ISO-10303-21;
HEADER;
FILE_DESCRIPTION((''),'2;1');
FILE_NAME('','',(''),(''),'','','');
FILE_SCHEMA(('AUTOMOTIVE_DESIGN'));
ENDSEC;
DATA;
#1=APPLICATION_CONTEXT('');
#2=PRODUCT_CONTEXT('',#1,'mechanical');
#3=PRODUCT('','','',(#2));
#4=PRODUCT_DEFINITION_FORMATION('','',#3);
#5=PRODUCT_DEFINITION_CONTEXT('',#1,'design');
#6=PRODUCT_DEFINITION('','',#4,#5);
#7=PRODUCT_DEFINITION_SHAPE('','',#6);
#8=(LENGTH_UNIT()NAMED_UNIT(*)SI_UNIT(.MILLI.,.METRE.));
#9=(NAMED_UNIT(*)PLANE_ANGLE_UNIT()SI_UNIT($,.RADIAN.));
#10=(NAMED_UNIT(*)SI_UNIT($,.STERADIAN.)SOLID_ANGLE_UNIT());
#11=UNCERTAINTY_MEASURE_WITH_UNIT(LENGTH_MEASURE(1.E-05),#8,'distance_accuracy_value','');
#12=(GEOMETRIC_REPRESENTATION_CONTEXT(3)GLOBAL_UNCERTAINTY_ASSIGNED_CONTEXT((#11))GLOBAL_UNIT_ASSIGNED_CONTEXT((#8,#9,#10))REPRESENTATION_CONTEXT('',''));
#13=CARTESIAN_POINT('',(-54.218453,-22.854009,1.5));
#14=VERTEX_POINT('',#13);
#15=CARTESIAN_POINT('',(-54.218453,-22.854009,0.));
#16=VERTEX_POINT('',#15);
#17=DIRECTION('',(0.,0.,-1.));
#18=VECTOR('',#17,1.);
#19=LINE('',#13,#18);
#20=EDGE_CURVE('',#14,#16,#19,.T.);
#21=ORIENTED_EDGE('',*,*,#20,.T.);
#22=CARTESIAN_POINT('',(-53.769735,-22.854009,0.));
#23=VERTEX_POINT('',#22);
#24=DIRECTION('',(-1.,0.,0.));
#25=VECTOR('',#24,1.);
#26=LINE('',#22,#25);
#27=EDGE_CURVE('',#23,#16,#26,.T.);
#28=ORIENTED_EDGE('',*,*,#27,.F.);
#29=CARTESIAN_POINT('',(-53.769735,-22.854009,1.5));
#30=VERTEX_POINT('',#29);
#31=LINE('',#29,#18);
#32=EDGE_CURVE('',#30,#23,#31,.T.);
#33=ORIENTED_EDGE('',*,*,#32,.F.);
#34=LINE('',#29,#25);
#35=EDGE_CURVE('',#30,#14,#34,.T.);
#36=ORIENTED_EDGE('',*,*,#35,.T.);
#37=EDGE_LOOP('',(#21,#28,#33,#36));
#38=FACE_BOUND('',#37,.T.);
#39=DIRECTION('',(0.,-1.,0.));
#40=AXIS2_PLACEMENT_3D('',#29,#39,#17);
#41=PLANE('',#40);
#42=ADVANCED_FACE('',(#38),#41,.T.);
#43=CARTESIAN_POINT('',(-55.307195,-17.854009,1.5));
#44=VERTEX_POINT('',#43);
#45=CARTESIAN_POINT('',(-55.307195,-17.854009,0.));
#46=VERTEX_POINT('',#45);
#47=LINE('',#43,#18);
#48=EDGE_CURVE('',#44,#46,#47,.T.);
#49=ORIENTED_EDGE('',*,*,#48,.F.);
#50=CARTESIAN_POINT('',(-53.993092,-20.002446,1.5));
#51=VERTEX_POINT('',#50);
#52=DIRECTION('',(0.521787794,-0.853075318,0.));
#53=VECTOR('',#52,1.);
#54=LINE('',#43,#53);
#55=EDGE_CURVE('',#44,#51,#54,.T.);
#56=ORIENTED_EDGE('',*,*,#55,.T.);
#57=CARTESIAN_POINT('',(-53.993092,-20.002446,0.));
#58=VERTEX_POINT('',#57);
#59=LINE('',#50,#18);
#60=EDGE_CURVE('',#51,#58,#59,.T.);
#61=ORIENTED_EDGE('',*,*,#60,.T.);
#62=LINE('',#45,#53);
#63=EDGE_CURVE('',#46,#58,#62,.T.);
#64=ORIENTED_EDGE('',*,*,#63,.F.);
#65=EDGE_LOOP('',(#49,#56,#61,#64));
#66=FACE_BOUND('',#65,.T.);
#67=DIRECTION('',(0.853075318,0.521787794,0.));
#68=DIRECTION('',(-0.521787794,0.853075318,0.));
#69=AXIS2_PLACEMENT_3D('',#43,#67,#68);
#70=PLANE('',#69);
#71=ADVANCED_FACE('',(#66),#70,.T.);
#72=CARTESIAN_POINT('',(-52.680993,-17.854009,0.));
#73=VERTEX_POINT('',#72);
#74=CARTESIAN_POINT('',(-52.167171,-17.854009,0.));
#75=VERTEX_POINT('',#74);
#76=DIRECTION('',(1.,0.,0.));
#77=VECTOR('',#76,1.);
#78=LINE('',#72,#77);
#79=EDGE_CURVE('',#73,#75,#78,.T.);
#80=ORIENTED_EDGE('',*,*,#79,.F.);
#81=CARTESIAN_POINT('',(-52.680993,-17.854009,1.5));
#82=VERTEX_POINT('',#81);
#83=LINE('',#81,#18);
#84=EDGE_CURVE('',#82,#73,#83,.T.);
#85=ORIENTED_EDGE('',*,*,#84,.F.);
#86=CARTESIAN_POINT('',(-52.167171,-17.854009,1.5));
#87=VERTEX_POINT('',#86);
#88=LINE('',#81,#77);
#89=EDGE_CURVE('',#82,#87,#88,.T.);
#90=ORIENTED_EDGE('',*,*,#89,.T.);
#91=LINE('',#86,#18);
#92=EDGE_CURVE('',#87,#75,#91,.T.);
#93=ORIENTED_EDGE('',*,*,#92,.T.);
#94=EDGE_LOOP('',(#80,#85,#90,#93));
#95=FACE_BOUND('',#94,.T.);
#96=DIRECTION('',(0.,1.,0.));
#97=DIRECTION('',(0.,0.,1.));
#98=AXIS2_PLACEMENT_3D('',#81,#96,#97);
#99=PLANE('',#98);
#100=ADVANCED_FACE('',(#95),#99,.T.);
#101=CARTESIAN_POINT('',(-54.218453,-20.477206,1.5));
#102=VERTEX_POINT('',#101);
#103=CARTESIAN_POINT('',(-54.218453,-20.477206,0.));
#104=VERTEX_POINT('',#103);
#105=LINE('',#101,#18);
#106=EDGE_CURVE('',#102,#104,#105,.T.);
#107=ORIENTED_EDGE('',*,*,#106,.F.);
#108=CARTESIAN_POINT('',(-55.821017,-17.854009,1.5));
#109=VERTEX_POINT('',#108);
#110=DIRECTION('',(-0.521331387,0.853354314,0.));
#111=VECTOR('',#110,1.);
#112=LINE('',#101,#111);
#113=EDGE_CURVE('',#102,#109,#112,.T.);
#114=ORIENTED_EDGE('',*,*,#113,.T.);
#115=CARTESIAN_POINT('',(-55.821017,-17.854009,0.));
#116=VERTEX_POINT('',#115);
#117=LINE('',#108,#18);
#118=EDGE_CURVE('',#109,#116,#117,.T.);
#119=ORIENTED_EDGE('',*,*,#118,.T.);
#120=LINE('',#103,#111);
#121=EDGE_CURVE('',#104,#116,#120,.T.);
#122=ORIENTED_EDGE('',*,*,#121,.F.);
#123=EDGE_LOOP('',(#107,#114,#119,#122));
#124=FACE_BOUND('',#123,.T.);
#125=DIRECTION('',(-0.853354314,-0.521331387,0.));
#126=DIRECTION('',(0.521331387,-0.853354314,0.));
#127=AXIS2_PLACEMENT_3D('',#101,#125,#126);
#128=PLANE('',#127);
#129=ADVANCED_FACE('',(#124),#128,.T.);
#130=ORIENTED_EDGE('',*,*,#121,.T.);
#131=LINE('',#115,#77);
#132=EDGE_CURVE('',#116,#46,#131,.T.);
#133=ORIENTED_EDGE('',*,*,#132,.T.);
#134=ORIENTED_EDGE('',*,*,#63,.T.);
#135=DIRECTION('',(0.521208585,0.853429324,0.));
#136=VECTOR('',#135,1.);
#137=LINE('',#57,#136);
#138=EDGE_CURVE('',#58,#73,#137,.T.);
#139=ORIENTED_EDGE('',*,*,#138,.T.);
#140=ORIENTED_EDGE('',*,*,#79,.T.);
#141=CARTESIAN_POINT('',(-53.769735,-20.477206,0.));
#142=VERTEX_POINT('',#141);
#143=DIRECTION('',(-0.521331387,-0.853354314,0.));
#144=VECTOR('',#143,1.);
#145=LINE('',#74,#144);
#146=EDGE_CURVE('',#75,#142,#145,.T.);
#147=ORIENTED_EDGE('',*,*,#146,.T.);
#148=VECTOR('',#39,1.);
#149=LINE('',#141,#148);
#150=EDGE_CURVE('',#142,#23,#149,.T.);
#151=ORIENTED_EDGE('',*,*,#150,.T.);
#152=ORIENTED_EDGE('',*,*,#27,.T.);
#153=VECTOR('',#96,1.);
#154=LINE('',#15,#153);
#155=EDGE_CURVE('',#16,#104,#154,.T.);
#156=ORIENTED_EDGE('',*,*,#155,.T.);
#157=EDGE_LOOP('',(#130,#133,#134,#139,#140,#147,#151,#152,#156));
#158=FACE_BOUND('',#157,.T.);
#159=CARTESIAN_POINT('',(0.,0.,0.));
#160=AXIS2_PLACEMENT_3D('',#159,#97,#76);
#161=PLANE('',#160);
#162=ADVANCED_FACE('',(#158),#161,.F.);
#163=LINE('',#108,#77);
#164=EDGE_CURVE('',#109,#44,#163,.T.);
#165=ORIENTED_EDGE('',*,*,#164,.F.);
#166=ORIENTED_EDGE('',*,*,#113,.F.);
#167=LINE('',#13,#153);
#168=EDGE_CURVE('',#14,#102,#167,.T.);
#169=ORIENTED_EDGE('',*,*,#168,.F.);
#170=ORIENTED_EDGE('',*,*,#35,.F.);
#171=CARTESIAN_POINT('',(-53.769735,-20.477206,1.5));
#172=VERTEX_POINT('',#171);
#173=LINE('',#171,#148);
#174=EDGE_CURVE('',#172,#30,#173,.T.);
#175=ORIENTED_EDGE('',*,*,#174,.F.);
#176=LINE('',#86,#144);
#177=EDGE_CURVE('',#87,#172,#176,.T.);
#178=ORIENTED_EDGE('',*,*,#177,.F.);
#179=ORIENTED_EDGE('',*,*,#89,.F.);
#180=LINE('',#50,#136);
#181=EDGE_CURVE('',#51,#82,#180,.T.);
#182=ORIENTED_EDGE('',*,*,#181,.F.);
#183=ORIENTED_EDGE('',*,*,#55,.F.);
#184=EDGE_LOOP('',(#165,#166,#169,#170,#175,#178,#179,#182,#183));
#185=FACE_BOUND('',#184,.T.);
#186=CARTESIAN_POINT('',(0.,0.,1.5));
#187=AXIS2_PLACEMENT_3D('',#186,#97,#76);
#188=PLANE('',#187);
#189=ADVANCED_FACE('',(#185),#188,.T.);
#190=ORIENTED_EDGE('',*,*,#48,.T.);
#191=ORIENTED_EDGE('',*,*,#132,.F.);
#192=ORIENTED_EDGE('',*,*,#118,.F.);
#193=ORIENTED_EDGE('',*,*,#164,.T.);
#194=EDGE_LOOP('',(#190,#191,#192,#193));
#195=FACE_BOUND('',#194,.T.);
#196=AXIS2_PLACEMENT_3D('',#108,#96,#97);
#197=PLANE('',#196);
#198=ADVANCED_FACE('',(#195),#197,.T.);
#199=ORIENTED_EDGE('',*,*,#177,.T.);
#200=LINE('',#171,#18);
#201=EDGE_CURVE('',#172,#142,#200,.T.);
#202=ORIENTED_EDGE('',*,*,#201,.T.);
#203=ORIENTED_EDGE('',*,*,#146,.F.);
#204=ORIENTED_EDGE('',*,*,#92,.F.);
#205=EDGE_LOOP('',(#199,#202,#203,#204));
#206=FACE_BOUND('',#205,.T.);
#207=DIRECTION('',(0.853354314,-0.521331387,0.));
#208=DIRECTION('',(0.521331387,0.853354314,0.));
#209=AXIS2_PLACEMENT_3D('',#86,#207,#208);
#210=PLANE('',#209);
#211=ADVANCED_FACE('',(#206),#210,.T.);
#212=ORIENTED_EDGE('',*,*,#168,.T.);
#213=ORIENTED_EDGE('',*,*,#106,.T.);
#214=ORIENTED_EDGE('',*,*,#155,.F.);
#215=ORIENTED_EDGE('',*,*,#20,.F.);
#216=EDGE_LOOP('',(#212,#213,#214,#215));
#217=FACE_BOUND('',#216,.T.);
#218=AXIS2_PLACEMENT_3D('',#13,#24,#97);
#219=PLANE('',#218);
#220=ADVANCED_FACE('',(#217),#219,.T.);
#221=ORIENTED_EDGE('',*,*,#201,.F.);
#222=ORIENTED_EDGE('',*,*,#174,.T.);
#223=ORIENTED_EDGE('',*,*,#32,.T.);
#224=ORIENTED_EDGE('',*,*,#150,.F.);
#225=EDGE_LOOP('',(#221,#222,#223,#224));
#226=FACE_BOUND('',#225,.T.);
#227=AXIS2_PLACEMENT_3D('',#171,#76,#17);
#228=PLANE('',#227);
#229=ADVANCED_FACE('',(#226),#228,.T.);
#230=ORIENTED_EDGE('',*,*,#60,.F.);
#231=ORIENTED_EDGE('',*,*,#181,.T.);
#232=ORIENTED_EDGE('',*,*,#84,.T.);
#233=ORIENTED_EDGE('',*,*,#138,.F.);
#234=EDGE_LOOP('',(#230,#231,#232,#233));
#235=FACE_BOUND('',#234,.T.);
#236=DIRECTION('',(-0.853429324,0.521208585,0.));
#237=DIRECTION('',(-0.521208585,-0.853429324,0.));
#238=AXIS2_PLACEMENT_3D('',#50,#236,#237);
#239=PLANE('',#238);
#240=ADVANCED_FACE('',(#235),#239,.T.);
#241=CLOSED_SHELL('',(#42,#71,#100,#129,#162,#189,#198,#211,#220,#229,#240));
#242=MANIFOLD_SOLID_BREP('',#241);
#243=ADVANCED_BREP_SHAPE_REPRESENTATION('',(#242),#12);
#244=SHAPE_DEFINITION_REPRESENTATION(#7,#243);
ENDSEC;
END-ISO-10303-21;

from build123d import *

# Parameters (mm, degrees)
BOSS_EXTRU_1_DEPTH = 1.5


with BuildPart() as part:
    # Esquisse1 → Boss.-Extru.1 (new body)
    with BuildSketch(Plane.XY):
        Polygon((-55.82101679, -17.854008721), (-55.307194675, -17.854008721), (-53.993092111, -20.002446221), (-52.680992752, -17.854008721), (-52.167170636, -17.854008721), (-53.769734739, -20.477205836), (-53.769734739, -22.854008721), (-54.218452688, -22.854008721), (-54.218452688, -20.477205836), align=None)
    extrude(amount=BOSS_EXTRU_1_DEPTH)


solid = part.part
